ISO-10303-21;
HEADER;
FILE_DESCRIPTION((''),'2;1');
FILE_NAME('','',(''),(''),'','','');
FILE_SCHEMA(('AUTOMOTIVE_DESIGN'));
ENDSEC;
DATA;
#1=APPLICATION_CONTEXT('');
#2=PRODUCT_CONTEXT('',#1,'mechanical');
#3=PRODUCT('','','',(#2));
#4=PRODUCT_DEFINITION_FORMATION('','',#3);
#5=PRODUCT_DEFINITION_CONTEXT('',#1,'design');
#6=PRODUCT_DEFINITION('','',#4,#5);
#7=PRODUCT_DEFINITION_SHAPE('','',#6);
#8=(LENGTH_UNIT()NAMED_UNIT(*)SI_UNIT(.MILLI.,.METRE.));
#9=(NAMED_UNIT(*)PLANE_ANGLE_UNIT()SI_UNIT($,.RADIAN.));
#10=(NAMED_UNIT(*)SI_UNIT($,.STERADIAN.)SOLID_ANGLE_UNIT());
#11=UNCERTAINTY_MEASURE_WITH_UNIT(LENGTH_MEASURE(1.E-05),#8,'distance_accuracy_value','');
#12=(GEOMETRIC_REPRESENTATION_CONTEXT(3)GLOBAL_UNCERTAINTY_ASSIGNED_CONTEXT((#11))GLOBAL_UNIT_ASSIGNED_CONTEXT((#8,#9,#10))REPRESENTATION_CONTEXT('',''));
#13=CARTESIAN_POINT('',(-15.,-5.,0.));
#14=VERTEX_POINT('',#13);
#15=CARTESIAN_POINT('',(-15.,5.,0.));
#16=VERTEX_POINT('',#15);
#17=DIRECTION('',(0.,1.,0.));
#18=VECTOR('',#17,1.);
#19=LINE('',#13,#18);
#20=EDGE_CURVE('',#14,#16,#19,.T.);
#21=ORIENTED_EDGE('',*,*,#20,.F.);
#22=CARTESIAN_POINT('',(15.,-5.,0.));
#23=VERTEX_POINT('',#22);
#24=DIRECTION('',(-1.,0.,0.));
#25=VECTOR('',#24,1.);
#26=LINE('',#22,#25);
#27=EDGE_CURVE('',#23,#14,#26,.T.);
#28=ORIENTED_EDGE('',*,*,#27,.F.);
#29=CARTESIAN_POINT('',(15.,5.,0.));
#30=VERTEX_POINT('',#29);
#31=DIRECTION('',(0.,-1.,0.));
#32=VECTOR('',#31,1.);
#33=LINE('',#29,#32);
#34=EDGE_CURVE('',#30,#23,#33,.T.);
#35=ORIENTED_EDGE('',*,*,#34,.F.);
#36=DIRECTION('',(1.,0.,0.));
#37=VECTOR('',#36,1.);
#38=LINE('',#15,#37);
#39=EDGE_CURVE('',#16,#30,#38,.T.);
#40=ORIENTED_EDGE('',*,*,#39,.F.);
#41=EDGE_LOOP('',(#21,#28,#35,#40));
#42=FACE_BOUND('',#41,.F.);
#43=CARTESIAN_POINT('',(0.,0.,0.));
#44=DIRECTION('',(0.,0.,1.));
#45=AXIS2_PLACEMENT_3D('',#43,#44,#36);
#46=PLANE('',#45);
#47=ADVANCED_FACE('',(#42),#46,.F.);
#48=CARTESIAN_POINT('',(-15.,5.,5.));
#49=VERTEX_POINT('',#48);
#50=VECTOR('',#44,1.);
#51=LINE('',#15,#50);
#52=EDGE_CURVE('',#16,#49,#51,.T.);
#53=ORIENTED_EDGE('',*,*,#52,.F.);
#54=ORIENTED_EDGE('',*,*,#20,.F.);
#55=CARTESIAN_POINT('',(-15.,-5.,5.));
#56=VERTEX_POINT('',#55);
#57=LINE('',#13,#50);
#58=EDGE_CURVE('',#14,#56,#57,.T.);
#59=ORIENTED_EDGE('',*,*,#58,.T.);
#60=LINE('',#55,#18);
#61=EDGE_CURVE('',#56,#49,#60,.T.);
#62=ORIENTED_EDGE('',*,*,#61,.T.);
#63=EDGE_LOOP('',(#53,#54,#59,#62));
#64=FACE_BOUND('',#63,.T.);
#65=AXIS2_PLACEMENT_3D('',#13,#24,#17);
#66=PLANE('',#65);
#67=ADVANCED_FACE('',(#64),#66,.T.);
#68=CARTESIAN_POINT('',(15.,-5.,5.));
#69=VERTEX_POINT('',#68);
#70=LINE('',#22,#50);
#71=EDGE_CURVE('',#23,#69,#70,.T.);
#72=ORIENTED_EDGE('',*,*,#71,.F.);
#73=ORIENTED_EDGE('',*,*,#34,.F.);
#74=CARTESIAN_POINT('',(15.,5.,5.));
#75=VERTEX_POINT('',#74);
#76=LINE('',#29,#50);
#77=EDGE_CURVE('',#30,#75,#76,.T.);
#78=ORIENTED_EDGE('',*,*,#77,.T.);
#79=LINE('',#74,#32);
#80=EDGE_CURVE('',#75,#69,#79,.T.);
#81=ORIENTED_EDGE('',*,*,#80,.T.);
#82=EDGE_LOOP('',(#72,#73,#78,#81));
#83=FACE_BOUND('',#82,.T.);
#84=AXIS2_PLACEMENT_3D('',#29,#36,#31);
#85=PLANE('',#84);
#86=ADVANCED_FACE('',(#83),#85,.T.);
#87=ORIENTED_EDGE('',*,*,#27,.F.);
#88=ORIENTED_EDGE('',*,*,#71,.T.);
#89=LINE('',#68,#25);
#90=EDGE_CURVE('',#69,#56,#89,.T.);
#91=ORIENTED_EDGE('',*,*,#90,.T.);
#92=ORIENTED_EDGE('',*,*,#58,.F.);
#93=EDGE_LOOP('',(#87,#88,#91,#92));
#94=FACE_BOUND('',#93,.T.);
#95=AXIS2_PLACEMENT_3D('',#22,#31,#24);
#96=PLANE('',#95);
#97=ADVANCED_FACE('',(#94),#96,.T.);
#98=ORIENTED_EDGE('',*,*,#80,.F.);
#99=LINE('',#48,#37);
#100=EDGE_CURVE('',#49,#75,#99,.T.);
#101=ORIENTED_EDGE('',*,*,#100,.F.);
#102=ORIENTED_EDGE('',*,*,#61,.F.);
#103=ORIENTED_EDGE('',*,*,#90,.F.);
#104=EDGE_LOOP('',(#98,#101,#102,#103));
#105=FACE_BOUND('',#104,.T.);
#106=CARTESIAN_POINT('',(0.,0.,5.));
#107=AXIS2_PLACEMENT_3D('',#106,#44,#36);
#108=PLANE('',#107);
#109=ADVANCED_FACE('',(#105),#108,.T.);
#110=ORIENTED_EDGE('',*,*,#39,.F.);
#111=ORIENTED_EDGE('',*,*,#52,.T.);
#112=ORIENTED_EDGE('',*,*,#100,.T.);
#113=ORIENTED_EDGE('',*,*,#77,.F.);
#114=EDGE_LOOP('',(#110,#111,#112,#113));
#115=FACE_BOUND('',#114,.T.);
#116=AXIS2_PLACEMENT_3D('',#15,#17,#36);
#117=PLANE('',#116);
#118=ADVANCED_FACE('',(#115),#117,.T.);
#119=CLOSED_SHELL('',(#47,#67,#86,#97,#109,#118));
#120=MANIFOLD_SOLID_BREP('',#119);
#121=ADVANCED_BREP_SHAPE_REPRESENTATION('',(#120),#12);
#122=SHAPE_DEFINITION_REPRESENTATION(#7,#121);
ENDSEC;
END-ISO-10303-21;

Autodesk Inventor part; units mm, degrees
ref_plane "YZ Plane" through (0, 0, 0) normal (1, 0, 0) x (0, 1, 0)
ref_plane "XZ Plane" through (0, 0, 0) normal (0, 1, 0) x (-1, 0, 0)
ref_plane "XY Plane" through (0, 0, 0) normal (0, 0, 1) x (1, 0, 0)
sketch "スケッチ22" plane through (0, 0, 0) normal (0, 0, 1) x (1, 0, 0)
  line L0 (-15, -5) -> (-15, 5)
  line L1 (-15, 5) -> (15, 5)
  line L2 (15, 5) -> (15, -5)
  line L3 (15, -5) -> (-15, -5)
  point P0 (0, 0)
  point P1 (-15, 0)
  point P2 (0, -5)
  dimension "d144" = 10
  dimension "d145" = 30
extrude "押し出し14" add sketch "スケッチ22" along normal blind 5
sketch "スケッチ23" plane through (0, 0, 5) normal (0, 0, 1) x (1, 0, 0)
  point P0 (0, 0)
  point P1 (10, 0)
  point P2 (-10, 0)
  dimension "d146" = 20
  dimension "d147" = 10
hole "穴9" [suppressed]
equation "\"d147\" = 0.5 * d146"
properties material "A5052"
